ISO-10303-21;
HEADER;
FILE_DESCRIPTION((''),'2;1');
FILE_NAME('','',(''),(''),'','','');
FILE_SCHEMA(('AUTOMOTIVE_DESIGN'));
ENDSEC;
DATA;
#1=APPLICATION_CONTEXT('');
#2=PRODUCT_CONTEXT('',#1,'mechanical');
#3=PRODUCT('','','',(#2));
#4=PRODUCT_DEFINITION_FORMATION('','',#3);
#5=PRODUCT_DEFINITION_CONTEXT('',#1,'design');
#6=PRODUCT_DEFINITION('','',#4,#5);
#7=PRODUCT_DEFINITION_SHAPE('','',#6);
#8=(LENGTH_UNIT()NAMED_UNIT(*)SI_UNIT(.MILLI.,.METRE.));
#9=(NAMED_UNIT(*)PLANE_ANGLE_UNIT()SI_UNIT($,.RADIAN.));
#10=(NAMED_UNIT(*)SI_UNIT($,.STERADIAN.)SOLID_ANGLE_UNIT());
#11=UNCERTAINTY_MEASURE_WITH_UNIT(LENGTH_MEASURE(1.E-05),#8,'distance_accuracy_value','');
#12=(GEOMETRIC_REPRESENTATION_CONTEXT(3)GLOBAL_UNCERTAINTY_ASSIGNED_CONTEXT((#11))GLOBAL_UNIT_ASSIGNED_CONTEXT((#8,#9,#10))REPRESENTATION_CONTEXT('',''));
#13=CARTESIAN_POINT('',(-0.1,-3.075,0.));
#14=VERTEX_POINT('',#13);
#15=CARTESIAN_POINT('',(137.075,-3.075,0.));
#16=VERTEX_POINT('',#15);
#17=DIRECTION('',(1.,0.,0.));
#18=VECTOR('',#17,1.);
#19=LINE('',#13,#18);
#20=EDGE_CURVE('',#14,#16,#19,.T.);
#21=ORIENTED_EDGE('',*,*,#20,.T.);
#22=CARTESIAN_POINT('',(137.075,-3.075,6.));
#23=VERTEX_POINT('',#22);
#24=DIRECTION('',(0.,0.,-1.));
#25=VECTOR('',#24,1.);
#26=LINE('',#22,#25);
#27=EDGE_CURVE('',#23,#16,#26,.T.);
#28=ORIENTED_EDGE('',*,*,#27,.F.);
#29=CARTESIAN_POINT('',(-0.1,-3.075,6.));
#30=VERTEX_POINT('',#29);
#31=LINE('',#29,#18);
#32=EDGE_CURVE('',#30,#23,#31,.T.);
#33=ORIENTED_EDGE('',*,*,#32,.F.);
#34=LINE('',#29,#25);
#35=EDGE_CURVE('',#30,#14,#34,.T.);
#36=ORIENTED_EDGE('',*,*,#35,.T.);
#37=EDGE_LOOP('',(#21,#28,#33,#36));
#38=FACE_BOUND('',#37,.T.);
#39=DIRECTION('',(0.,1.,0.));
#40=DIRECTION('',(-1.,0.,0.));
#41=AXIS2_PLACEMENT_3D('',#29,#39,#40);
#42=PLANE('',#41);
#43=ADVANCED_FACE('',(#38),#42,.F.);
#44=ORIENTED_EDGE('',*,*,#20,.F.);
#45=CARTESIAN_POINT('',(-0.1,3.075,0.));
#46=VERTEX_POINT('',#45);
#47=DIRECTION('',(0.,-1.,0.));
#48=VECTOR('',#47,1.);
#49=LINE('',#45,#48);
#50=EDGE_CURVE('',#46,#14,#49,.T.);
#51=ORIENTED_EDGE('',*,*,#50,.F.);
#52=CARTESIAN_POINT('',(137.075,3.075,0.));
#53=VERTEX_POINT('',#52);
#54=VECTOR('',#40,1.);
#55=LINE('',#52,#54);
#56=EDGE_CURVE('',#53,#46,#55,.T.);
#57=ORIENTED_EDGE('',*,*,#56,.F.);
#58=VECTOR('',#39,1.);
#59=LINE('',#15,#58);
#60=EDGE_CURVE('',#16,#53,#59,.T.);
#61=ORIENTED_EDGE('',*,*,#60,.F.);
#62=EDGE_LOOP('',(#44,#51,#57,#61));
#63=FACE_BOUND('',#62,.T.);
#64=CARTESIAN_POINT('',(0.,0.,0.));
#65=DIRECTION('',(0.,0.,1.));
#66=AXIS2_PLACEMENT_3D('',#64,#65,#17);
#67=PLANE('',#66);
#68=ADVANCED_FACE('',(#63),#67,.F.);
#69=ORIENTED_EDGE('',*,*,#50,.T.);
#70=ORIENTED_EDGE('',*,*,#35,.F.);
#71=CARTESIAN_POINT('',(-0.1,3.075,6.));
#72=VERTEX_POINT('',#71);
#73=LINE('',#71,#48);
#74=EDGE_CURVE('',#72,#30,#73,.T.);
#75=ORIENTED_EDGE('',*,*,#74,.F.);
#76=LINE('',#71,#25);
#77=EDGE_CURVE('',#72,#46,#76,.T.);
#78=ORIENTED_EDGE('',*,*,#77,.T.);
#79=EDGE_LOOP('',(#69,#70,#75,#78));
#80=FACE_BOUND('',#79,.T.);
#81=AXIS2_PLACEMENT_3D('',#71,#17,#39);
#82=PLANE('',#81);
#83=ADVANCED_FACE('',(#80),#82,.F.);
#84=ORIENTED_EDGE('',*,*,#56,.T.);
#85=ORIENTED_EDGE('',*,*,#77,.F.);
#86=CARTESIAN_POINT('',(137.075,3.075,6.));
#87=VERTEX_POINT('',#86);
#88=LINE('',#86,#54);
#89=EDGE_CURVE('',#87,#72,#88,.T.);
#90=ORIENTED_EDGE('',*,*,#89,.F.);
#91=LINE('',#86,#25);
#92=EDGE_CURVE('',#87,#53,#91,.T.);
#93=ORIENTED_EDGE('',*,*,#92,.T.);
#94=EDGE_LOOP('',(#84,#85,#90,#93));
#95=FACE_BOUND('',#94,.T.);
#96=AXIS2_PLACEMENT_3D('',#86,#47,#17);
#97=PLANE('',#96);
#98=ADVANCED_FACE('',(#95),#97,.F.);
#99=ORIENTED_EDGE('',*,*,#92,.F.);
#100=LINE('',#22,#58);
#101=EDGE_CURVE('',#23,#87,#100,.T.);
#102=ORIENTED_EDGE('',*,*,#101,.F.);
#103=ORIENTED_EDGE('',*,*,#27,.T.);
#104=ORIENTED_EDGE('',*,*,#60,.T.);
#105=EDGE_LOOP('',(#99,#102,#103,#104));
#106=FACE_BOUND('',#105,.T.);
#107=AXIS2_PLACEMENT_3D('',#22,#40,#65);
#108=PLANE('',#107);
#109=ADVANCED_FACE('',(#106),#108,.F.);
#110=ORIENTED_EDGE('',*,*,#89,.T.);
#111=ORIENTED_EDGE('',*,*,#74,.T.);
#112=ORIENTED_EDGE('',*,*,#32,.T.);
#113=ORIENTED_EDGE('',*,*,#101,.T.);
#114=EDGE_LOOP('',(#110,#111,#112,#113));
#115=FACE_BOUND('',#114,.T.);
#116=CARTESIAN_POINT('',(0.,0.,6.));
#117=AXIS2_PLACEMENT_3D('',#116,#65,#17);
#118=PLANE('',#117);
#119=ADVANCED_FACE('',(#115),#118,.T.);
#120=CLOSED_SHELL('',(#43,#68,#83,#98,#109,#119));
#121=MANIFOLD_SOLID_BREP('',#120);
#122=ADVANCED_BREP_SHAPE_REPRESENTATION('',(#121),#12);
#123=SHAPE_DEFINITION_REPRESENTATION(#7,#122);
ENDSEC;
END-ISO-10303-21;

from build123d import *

# Parameters (mm, degrees)
SKETCH_1384_W      = 137.175
SKETCH_1384_H      = 6.15
EXTRUDE_1392_DEPTH = 6


with BuildPart() as part:
    # Sketch 1384 → Extrude 1392 (new body)
    with BuildSketch(Plane.XY):
        with Locations((68.4875, 0)):
            Rectangle(SKETCH_1384_W, SKETCH_1384_H)
    extrude(amount=EXTRUDE_1392_DEPTH)


solid = part.part
